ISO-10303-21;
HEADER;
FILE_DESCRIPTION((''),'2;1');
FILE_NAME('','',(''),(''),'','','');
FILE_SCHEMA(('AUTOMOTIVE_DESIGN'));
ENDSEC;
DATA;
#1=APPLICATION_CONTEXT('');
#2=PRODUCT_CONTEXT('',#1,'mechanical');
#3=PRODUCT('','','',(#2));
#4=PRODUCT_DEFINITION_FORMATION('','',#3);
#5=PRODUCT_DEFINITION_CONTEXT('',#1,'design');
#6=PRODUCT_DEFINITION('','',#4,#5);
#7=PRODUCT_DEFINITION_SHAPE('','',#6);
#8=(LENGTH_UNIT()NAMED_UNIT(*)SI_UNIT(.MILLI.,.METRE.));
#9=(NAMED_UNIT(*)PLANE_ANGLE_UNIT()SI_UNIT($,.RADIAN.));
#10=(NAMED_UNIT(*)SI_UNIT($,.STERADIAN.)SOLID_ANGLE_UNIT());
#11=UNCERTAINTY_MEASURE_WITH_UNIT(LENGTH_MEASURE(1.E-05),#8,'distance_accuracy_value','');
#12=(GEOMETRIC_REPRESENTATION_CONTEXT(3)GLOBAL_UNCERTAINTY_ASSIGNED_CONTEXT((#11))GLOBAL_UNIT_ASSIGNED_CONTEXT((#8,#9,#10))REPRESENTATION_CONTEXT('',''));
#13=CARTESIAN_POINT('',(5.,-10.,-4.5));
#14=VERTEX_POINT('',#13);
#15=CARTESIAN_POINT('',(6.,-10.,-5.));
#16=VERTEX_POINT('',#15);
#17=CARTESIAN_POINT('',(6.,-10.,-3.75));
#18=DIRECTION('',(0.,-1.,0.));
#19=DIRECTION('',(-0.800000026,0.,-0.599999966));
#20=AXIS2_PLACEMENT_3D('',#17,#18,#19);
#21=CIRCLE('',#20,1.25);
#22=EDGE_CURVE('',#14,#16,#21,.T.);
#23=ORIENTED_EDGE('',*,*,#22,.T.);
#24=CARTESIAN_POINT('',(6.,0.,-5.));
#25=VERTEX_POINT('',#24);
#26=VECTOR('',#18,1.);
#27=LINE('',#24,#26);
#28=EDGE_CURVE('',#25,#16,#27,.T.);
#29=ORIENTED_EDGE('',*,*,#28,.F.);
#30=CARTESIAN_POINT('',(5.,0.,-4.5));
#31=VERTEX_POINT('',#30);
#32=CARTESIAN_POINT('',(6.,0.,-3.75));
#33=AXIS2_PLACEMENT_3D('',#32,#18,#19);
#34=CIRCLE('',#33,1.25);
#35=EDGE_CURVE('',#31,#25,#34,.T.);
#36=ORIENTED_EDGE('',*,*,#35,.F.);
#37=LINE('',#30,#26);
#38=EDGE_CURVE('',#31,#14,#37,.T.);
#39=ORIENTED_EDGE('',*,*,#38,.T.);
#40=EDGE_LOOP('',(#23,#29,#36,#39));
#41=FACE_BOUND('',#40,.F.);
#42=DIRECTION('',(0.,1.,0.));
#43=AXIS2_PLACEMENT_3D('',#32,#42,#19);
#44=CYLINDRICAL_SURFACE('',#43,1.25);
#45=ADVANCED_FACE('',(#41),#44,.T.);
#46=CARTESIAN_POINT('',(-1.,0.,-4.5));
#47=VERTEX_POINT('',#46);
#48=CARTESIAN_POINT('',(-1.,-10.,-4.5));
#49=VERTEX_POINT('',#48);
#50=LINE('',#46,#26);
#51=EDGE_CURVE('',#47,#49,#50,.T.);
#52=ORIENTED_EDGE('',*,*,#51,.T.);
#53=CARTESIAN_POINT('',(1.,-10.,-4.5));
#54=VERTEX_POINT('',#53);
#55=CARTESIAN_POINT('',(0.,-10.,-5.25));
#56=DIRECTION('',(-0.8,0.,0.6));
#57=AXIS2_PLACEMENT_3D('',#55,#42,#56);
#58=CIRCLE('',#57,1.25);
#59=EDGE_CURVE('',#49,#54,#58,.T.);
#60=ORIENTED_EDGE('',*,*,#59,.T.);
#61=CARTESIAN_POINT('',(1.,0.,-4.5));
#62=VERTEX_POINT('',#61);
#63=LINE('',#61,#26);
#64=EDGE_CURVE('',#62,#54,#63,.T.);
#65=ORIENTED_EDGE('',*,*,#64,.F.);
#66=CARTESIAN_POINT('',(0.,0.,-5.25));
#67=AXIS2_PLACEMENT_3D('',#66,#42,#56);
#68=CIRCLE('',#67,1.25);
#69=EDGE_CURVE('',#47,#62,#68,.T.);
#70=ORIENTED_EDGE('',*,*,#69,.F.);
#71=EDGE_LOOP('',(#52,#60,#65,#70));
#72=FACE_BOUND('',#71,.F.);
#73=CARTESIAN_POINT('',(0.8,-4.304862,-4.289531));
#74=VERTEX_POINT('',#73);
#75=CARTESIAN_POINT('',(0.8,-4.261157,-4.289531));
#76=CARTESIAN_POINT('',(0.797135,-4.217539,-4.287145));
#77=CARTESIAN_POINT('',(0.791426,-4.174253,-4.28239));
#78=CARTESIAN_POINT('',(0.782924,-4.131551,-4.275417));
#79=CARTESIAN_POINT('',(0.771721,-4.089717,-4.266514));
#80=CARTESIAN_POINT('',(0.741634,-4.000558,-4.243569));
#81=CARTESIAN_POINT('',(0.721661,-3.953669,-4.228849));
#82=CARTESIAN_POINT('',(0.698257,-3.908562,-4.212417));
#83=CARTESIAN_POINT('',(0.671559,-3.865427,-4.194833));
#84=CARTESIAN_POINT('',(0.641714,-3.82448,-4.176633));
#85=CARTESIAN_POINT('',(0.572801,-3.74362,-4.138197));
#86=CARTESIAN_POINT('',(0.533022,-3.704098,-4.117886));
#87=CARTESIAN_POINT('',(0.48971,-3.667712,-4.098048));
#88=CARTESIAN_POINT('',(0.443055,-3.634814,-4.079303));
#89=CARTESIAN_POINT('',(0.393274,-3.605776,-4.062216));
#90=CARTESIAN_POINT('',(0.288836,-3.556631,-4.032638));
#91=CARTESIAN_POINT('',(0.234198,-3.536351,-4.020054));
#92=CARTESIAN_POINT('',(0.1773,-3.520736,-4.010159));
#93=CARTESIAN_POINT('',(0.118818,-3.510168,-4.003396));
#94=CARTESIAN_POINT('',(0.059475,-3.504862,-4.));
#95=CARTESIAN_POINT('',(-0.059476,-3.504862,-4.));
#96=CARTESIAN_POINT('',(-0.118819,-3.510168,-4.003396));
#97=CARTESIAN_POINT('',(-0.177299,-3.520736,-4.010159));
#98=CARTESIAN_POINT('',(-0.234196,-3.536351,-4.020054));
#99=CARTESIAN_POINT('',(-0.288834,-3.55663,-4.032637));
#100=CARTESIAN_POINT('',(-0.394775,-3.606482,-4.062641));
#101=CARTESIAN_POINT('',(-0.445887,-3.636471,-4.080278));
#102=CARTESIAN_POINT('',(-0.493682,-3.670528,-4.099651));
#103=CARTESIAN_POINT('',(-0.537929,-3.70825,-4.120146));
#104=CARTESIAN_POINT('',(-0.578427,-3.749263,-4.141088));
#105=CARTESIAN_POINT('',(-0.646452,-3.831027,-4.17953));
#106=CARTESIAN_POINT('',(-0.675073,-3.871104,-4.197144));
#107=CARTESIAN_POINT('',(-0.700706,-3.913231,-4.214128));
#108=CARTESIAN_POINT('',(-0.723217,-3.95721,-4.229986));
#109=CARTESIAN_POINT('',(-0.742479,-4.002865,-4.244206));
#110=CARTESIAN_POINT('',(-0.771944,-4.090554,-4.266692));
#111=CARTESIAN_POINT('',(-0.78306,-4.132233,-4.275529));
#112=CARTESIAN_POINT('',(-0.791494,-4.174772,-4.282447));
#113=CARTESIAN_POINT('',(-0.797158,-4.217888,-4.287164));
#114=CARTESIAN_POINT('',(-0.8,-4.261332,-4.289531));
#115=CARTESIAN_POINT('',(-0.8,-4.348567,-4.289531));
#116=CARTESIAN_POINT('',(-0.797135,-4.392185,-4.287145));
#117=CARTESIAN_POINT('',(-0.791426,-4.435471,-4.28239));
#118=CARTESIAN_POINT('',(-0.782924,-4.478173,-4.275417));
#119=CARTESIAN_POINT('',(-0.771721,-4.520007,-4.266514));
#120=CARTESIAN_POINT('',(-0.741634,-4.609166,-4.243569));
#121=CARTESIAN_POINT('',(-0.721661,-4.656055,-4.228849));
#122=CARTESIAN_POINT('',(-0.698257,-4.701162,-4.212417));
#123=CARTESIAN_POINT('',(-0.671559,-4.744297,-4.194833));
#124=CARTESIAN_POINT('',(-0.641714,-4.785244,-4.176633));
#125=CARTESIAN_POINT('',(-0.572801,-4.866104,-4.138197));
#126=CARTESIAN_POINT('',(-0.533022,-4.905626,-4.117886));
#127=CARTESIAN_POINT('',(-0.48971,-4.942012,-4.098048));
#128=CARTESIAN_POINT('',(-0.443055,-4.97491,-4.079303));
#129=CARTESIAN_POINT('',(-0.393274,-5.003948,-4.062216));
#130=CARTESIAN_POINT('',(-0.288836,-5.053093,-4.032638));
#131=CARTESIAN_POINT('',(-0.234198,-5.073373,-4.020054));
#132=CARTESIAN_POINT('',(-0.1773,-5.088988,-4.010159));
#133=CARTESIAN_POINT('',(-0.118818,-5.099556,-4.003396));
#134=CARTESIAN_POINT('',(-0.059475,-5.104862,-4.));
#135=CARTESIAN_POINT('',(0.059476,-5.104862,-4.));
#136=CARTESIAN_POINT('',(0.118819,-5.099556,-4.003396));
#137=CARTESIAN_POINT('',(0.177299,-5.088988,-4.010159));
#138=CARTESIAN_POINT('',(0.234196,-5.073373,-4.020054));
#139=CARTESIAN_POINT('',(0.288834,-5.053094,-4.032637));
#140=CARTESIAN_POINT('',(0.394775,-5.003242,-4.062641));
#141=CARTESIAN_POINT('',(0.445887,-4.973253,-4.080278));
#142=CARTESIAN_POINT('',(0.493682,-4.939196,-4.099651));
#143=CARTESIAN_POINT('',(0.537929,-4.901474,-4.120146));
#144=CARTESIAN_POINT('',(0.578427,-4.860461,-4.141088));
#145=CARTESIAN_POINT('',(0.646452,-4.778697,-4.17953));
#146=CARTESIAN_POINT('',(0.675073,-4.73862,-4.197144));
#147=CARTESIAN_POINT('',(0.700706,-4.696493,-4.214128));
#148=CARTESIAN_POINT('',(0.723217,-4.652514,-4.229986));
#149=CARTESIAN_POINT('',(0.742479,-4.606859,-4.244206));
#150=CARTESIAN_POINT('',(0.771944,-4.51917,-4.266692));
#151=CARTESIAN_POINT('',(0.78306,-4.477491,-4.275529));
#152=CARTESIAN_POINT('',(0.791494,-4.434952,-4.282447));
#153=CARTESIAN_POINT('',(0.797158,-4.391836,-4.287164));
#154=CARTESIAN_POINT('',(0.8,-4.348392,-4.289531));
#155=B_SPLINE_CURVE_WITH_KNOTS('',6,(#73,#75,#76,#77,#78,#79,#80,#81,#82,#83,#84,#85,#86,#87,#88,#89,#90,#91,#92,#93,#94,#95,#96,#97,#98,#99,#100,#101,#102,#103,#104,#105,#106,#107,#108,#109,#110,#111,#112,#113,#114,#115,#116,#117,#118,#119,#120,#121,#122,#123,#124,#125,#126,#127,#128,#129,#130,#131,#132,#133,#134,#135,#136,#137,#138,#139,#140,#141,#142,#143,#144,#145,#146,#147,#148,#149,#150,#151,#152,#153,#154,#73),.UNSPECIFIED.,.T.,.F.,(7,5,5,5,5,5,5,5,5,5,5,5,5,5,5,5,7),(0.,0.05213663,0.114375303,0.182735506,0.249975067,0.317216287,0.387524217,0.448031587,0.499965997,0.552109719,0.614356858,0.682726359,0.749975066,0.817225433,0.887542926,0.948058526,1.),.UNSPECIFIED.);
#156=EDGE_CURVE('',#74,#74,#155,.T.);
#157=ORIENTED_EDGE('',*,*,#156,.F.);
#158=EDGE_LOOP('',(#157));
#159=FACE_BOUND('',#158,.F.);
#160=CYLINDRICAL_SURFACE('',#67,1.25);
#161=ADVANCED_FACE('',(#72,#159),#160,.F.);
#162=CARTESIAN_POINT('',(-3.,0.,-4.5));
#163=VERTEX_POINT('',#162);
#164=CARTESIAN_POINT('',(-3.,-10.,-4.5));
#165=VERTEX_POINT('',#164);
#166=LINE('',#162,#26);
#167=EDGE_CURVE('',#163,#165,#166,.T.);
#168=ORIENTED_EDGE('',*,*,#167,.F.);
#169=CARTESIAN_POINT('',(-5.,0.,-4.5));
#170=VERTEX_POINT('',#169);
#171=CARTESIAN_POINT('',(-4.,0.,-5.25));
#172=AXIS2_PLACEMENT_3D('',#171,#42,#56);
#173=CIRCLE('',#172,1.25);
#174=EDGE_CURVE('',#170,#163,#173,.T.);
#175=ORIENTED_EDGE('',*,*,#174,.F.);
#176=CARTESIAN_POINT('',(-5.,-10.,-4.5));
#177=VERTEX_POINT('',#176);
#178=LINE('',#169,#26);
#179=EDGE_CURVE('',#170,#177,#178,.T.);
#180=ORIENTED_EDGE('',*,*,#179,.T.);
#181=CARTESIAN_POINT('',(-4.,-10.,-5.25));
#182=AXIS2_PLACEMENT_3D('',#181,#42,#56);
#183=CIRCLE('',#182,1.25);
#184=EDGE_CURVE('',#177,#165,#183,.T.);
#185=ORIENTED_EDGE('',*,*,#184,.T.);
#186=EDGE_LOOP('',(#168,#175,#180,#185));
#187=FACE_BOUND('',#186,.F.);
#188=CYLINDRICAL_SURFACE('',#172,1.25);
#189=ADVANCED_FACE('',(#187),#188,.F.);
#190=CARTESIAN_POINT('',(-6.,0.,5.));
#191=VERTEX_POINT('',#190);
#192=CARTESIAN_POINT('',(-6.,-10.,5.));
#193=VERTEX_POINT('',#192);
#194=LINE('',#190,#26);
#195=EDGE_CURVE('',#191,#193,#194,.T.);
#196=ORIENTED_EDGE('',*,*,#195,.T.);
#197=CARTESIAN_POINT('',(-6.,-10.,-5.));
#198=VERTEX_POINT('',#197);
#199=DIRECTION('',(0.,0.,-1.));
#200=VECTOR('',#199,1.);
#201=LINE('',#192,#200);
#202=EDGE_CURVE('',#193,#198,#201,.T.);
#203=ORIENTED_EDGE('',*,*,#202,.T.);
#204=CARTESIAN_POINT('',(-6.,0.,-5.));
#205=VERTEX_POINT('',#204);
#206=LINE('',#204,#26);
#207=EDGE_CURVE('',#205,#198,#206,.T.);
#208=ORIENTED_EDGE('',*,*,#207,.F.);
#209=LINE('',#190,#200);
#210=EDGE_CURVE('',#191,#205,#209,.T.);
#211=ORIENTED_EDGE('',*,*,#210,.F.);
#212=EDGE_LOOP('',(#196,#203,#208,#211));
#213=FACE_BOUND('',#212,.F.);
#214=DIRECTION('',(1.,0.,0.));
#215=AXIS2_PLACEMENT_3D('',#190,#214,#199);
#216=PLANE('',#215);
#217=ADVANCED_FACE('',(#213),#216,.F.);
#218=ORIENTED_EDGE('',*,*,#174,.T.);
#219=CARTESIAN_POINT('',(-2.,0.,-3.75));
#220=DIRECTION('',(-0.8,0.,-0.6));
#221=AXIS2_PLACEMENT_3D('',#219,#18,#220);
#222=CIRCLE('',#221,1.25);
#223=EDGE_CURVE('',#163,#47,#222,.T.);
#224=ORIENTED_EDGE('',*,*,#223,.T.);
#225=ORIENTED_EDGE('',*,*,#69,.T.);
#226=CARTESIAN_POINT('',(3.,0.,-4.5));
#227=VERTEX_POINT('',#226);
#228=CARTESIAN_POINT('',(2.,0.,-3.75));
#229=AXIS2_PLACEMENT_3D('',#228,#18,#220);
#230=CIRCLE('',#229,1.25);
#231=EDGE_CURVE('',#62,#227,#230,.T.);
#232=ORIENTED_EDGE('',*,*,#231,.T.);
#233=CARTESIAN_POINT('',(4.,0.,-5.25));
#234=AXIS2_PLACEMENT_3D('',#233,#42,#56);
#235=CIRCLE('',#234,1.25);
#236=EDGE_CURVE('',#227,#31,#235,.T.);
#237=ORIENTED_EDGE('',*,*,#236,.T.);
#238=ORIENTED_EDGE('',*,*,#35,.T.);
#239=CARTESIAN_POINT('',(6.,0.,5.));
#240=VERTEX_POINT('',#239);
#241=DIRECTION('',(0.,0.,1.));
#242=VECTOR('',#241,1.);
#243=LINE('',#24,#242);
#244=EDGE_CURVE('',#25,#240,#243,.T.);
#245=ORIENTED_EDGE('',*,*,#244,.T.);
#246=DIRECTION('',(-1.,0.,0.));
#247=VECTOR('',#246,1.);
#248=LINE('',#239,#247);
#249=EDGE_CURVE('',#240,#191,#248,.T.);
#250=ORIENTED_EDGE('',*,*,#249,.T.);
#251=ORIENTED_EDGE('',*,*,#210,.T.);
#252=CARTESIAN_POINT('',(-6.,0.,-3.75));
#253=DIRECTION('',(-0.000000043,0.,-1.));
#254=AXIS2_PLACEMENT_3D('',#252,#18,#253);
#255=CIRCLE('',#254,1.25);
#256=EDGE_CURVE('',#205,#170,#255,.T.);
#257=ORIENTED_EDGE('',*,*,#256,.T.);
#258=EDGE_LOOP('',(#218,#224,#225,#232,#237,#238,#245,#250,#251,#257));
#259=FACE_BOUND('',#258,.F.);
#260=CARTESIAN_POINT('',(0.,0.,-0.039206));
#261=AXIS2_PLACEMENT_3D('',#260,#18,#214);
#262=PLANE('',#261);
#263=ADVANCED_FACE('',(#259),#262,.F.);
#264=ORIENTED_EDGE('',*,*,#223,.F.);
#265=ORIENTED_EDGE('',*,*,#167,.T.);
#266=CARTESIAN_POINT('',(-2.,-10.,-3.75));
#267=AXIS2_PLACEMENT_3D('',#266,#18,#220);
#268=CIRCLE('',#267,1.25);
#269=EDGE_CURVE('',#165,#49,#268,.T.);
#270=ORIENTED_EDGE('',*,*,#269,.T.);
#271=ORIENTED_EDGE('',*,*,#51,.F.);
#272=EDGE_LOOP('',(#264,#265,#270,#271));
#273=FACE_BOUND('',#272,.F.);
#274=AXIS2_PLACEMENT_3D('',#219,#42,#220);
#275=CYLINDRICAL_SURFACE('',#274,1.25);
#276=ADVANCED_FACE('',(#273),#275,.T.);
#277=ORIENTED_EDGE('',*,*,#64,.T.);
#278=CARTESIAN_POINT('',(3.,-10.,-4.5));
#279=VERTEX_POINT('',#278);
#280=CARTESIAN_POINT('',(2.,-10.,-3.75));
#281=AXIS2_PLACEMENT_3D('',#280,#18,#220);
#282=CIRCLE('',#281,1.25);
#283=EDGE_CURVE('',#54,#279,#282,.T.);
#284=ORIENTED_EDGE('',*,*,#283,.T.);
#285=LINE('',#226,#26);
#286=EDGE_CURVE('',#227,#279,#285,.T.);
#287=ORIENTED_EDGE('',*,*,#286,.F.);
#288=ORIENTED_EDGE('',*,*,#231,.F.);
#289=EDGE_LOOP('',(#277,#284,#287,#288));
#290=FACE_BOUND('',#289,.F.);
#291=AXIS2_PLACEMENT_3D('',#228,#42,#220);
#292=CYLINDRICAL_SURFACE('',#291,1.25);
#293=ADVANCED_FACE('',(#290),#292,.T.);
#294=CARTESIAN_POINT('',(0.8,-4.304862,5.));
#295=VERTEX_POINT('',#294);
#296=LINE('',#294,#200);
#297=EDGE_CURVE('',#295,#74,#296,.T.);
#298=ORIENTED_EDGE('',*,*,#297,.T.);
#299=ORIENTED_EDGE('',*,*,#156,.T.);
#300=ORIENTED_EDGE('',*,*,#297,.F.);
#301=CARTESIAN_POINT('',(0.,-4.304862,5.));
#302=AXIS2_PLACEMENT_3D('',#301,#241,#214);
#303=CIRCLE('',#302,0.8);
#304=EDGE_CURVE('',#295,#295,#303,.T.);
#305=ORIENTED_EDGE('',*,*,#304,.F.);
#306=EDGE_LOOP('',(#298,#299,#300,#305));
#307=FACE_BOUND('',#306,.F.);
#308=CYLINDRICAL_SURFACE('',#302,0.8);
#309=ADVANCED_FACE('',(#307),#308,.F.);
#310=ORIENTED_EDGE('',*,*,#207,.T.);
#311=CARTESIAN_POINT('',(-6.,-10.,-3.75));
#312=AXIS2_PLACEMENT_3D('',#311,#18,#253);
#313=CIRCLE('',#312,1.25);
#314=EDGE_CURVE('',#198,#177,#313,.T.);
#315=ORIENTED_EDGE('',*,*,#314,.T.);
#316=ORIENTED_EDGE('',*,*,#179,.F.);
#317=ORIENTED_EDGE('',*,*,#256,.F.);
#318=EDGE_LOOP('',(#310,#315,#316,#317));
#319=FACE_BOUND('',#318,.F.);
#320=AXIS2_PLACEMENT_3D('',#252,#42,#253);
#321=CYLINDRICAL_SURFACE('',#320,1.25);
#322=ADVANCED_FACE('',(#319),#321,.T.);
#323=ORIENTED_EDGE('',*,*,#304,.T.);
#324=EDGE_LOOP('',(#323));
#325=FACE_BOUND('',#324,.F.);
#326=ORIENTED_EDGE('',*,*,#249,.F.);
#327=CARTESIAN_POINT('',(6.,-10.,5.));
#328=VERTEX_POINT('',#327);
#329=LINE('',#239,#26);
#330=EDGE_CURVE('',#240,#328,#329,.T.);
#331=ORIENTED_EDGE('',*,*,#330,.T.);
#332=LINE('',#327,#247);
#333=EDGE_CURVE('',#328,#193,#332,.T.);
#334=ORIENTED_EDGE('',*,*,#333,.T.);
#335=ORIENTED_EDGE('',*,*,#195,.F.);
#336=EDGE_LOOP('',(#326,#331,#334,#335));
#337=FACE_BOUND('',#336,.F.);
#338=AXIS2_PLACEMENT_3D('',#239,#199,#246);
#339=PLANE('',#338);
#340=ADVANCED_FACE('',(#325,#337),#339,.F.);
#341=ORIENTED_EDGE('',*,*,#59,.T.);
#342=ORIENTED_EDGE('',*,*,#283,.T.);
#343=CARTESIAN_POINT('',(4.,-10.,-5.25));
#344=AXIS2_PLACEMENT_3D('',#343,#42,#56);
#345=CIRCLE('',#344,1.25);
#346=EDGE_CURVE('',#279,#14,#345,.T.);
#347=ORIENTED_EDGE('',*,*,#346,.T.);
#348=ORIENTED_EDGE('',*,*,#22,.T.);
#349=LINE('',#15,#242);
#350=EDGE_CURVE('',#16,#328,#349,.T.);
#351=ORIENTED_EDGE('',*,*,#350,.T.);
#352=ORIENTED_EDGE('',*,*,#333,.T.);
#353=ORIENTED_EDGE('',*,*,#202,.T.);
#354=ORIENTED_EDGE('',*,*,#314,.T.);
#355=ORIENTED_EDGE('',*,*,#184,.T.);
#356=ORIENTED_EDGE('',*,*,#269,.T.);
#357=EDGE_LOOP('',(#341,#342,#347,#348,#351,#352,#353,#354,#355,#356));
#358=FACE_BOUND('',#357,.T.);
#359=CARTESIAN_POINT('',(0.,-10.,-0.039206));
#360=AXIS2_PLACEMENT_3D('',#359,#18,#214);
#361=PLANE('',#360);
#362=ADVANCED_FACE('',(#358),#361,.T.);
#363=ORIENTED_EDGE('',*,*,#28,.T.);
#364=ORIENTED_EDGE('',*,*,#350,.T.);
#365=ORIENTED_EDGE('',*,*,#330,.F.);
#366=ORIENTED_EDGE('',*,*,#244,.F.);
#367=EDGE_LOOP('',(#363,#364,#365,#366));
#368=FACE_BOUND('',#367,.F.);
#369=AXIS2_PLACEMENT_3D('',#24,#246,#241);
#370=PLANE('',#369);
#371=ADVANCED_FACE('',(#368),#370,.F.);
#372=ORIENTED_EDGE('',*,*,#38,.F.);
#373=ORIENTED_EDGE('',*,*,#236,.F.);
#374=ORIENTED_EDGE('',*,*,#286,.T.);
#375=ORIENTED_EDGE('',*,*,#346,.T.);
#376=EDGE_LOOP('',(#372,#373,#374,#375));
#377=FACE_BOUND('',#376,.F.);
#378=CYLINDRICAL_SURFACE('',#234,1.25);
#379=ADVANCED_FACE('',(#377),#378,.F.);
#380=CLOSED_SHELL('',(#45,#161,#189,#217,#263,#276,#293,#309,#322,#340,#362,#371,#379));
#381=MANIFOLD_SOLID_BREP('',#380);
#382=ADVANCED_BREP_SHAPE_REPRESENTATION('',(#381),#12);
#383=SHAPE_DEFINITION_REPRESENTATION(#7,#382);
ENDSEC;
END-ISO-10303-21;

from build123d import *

# Parameters (mm, degrees)
F1_DEPTH = 10
F2_R     = 0.8
F3_DEPTH = 25


with BuildPart() as f1:
    # F0 (on Front) → F1 (new body)
    with BuildSketch(Plane.XZ):
        with BuildLine():
            ThreePointArc((-5, -4.5), (-4, -4), (-3, -4.5))
            ThreePointArc((-3, -4.5), (-2, -5), (-1, -4.5))
            ThreePointArc((-1, -4.5), (0, -4), (1, -4.5))
            ThreePointArc((1, -4.5), (2, -5), (3, -4.5))
            ThreePointArc((3, -4.5), (4, -4), (5, -4.5))
            ThreePointArc((5, -4.5), (5.440983, -4.868034), (6, -5))
            Line((6, -5), (6, 5))
            Line((6, 5), (-6, 5))
            Line((-6, 5), (-6, -5))
            ThreePointArc((-6, -5), (-5.440983, -4.868034), (-5, -4.5))
        make_face()
    extrude(amount=F1_DEPTH)

    # F2 (on face) → F3 (cut)
    with BuildSketch(Plane.XY.offset(5)):
        with Locations((0, -4.304862)):
            Circle(F2_R)
    extrude(amount=-F3_DEPTH, mode=Mode.SUBTRACT)


solid = f1.part
